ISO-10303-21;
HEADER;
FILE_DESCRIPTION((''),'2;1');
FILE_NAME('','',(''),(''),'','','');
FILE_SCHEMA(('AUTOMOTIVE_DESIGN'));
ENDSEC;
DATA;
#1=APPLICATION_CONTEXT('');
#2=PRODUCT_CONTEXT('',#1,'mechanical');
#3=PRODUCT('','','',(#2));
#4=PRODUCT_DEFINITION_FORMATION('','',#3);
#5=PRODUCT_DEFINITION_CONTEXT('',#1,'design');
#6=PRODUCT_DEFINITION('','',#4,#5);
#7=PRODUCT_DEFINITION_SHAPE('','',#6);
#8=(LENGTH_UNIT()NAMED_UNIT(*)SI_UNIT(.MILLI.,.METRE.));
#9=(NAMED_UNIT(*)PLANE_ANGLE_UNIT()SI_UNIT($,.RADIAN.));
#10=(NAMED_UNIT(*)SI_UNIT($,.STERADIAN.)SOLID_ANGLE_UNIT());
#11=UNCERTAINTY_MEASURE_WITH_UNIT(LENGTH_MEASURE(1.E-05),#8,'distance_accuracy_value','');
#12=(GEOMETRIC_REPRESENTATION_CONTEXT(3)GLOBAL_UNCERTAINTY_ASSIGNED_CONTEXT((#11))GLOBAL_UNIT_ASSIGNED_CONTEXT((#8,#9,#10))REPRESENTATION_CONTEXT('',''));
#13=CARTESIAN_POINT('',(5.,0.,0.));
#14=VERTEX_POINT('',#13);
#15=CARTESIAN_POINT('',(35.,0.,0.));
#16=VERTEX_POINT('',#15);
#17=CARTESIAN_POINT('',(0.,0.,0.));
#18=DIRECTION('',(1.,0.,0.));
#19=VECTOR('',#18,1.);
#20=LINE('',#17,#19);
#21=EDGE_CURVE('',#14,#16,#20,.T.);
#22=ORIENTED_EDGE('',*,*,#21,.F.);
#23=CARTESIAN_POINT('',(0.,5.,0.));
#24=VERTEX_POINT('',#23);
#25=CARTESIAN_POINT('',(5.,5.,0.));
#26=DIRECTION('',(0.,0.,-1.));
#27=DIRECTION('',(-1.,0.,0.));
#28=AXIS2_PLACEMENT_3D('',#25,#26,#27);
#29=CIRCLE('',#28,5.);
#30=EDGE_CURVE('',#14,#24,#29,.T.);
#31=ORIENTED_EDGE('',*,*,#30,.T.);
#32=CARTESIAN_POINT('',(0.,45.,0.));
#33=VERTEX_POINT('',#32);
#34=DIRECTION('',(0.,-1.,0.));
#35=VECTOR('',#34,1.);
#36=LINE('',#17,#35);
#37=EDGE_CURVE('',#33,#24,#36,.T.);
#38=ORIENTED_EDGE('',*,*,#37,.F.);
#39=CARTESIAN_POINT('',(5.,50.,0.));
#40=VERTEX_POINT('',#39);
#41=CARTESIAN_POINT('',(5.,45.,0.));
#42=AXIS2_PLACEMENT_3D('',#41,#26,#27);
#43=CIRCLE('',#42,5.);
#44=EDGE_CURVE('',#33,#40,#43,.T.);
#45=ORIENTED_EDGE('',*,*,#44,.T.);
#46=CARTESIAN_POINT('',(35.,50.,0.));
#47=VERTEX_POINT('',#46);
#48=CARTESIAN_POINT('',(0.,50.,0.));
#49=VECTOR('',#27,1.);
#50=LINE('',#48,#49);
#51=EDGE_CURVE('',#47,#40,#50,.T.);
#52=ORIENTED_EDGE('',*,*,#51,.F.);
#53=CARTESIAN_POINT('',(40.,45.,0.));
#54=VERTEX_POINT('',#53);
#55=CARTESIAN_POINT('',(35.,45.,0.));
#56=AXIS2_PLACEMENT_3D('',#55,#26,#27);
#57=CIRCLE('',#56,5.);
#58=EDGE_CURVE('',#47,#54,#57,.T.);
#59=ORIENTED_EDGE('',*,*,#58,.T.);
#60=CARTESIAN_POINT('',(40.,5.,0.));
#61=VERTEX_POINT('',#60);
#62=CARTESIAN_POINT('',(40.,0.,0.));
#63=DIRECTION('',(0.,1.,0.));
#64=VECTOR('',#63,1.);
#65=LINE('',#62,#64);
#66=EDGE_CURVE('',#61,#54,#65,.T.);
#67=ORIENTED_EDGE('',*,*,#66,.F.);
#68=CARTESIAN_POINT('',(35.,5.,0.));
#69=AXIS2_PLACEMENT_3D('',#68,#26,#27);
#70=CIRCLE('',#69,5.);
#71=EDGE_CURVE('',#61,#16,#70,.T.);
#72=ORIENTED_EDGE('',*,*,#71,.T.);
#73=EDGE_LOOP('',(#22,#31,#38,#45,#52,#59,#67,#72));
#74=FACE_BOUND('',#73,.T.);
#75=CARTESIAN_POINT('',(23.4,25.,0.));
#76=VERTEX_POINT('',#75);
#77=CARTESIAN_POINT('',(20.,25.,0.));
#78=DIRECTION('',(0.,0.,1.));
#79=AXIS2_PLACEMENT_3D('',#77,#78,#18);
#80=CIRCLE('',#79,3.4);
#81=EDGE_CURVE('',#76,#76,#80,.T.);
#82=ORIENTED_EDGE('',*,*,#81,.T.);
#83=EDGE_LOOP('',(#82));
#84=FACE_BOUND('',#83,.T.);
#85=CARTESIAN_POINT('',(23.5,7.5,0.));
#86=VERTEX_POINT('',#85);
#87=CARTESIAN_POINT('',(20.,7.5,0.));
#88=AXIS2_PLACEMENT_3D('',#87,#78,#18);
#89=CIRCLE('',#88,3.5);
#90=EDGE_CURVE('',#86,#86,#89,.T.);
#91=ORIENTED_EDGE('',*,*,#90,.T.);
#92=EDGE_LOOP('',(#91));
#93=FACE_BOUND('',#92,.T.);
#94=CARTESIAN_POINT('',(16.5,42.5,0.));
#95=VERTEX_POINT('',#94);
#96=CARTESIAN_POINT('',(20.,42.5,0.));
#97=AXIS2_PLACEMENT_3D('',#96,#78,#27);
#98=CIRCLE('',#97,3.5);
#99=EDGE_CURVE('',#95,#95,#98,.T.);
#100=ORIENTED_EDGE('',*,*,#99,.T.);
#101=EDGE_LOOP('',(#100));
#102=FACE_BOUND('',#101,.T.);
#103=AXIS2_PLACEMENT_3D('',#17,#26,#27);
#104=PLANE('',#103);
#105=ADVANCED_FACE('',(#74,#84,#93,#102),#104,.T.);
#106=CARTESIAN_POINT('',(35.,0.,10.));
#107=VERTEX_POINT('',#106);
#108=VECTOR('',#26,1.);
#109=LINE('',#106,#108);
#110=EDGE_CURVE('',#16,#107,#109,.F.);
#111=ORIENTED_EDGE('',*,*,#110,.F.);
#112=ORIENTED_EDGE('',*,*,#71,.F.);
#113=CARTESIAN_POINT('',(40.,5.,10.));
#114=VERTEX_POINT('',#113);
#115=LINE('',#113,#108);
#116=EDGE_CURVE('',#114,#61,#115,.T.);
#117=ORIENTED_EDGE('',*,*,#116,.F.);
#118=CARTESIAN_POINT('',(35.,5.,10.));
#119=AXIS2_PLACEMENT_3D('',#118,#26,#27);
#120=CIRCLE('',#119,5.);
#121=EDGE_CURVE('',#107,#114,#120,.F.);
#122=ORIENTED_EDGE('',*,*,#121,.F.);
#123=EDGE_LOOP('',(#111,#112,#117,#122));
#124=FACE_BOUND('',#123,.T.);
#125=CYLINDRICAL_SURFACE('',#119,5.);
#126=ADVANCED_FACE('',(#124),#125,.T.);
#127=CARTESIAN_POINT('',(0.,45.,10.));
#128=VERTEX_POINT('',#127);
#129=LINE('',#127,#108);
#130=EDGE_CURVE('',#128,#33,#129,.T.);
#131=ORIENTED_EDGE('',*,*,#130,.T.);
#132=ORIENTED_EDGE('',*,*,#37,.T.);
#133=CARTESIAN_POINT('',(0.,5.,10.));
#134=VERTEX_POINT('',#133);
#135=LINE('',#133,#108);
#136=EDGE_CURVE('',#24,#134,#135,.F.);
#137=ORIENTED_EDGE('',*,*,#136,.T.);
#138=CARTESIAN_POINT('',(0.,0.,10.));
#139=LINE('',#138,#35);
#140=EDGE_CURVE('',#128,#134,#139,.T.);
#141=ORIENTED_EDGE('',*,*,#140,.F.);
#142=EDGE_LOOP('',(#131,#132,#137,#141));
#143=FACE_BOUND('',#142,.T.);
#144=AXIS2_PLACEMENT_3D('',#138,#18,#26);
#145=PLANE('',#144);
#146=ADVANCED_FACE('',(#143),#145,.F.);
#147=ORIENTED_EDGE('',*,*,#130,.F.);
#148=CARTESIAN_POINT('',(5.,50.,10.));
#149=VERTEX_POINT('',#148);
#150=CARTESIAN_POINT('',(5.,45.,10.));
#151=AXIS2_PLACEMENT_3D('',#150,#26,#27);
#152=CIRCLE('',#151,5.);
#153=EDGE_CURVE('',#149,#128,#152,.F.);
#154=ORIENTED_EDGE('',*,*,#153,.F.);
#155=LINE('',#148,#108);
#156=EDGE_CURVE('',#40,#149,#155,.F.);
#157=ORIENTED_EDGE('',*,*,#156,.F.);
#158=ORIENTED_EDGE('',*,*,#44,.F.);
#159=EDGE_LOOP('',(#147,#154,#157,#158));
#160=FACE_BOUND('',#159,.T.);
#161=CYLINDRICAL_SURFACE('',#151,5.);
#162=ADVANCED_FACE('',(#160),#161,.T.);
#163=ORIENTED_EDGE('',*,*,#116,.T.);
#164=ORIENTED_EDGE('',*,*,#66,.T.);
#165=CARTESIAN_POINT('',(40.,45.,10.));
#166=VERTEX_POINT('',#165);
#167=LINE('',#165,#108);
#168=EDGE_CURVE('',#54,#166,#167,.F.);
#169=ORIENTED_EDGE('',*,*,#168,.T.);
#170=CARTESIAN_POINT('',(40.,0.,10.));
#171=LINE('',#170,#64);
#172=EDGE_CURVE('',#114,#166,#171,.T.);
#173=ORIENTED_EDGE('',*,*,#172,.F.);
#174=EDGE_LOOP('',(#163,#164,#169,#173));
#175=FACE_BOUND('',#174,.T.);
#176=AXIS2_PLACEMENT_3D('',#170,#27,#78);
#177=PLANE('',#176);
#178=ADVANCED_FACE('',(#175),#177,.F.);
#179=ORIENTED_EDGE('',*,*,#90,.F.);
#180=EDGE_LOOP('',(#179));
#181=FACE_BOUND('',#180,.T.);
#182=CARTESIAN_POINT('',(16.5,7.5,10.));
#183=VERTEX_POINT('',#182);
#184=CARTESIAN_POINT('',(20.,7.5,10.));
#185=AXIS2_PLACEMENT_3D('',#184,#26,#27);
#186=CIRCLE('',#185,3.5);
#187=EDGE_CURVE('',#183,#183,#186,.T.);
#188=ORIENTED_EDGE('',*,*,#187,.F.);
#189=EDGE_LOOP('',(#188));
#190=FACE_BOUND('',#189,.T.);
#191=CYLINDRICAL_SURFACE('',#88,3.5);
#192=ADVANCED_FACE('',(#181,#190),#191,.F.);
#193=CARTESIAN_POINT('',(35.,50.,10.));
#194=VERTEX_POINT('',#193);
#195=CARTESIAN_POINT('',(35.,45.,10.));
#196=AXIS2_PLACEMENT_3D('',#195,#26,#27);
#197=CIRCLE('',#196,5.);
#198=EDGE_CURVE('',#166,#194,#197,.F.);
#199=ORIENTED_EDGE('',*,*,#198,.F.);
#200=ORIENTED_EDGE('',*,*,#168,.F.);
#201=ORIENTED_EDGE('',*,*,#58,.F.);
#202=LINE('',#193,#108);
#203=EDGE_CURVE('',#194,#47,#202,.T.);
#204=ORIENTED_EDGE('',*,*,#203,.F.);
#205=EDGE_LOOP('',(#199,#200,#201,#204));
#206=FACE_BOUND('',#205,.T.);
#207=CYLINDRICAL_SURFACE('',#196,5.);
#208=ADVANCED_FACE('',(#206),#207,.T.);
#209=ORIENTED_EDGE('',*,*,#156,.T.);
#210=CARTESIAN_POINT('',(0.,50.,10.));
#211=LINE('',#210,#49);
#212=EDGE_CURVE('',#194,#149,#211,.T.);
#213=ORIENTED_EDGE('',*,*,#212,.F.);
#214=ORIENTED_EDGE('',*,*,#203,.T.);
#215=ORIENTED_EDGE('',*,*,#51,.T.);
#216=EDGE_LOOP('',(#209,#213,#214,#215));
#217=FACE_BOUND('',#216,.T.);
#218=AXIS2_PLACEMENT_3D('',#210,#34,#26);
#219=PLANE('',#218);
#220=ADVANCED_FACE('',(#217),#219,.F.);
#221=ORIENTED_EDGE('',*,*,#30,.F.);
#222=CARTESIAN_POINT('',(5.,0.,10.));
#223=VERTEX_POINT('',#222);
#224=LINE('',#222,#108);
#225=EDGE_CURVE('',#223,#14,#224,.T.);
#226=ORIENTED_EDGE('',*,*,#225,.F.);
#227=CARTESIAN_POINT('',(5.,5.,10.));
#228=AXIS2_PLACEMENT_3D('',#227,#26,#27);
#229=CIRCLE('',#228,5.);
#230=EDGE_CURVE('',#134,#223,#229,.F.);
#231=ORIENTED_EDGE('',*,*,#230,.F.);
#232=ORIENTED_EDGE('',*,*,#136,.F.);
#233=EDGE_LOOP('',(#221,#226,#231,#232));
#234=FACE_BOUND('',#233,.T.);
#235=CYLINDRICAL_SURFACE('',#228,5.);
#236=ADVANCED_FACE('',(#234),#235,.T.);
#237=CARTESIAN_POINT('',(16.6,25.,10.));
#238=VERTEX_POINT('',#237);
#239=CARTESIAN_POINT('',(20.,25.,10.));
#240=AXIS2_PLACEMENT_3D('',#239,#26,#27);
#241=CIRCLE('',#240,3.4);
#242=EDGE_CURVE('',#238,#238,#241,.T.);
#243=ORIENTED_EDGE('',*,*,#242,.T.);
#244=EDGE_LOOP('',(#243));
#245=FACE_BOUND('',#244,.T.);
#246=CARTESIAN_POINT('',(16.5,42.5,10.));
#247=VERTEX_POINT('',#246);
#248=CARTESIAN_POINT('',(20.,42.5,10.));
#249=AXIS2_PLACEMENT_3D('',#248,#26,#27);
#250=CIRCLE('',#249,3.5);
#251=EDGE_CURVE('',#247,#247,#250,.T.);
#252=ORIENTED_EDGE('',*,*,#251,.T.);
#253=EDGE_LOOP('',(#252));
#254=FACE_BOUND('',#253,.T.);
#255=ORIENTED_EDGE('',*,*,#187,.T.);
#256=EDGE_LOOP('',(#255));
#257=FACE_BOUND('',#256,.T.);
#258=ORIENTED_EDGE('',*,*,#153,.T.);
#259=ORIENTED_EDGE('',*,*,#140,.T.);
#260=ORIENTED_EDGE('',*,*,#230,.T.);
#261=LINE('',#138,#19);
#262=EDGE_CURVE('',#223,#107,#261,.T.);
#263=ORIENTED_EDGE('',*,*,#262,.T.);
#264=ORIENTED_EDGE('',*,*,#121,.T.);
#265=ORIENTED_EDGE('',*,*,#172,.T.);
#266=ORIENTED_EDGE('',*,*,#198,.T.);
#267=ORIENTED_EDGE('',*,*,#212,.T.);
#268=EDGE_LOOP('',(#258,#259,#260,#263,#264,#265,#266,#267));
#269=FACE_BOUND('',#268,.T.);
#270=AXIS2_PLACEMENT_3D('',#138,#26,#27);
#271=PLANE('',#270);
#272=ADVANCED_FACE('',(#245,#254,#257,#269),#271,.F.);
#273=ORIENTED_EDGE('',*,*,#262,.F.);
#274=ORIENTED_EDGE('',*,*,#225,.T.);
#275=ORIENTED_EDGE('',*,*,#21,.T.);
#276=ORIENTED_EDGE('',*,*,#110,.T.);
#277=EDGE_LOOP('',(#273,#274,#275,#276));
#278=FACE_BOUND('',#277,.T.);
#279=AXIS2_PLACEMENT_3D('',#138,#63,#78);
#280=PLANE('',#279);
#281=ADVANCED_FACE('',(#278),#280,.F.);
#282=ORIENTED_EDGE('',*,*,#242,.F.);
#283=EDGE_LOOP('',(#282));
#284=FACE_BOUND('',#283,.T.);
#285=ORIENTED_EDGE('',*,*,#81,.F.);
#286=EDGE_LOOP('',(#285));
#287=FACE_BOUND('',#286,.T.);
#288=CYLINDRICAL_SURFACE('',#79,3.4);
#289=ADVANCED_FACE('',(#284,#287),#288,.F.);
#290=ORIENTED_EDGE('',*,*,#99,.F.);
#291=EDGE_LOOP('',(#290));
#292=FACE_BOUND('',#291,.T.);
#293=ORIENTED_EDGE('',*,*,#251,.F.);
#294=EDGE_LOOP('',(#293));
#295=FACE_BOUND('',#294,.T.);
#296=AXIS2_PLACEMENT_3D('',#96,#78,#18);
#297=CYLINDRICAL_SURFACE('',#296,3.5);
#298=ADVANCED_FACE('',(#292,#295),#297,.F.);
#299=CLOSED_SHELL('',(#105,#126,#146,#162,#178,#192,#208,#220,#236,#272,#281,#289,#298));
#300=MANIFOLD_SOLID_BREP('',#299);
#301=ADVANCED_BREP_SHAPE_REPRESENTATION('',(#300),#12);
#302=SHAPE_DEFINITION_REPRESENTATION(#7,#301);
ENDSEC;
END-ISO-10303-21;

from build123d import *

# Parameters (mm, degrees)
ESQUISSE1_W                  = 40
ESQUISSE1_H                  = 50
BOSS_EXTRU_1_DEPTH           = 10
ENL_V_MAT_EXTRU_1_DEPTH      = 65.807406984
ENL_V_MAT_EXTRU_1_DEPTH_BACK = 65.807406984
ESQUISSE2_R                  = 3.4
ESQUISSE2_R_2                = 3.5
CONG_1_R                     = 5


with BuildPart() as part:
    # Esquisse1 → Boss.-Extru.1 (new body)
    with BuildSketch(Plane.XY):
        with Locations((20, 25)):
            Rectangle(ESQUISSE1_W, ESQUISSE1_H)
    extrude(amount=BOSS_EXTRU_1_DEPTH)

    # Esquisse2 → Enlèv. mat.-Extru.1 (cut, two sides: drawn at the far end of the back side and taken through both)
    with BuildSketch(Plane.XY.offset(10).offset(-ENL_V_MAT_EXTRU_1_DEPTH_BACK)):
        with Locations((20, 25)):
            Circle(ESQUISSE2_R)
        with Locations((20, 7.5)):
            Circle(ESQUISSE2_R_2)
        with Locations(Location((20, 42.5, 0), (0, 0, 180))):
            Circle(ESQUISSE2_R_2)
    extrude(amount=ENL_V_MAT_EXTRU_1_DEPTH + ENL_V_MAT_EXTRU_1_DEPTH_BACK, mode=Mode.SUBTRACT)

    # Congé1
    cong_1_edges = [part.edges().sort_by_distance(p)[0] for p in [
        (0, 50, 5),
        (40, 50, 5),
        (40, 0, 5),
        (0, 0, 5),
    ]]
    fillet(cong_1_edges, radius=CONG_1_R)


solid = part.part
